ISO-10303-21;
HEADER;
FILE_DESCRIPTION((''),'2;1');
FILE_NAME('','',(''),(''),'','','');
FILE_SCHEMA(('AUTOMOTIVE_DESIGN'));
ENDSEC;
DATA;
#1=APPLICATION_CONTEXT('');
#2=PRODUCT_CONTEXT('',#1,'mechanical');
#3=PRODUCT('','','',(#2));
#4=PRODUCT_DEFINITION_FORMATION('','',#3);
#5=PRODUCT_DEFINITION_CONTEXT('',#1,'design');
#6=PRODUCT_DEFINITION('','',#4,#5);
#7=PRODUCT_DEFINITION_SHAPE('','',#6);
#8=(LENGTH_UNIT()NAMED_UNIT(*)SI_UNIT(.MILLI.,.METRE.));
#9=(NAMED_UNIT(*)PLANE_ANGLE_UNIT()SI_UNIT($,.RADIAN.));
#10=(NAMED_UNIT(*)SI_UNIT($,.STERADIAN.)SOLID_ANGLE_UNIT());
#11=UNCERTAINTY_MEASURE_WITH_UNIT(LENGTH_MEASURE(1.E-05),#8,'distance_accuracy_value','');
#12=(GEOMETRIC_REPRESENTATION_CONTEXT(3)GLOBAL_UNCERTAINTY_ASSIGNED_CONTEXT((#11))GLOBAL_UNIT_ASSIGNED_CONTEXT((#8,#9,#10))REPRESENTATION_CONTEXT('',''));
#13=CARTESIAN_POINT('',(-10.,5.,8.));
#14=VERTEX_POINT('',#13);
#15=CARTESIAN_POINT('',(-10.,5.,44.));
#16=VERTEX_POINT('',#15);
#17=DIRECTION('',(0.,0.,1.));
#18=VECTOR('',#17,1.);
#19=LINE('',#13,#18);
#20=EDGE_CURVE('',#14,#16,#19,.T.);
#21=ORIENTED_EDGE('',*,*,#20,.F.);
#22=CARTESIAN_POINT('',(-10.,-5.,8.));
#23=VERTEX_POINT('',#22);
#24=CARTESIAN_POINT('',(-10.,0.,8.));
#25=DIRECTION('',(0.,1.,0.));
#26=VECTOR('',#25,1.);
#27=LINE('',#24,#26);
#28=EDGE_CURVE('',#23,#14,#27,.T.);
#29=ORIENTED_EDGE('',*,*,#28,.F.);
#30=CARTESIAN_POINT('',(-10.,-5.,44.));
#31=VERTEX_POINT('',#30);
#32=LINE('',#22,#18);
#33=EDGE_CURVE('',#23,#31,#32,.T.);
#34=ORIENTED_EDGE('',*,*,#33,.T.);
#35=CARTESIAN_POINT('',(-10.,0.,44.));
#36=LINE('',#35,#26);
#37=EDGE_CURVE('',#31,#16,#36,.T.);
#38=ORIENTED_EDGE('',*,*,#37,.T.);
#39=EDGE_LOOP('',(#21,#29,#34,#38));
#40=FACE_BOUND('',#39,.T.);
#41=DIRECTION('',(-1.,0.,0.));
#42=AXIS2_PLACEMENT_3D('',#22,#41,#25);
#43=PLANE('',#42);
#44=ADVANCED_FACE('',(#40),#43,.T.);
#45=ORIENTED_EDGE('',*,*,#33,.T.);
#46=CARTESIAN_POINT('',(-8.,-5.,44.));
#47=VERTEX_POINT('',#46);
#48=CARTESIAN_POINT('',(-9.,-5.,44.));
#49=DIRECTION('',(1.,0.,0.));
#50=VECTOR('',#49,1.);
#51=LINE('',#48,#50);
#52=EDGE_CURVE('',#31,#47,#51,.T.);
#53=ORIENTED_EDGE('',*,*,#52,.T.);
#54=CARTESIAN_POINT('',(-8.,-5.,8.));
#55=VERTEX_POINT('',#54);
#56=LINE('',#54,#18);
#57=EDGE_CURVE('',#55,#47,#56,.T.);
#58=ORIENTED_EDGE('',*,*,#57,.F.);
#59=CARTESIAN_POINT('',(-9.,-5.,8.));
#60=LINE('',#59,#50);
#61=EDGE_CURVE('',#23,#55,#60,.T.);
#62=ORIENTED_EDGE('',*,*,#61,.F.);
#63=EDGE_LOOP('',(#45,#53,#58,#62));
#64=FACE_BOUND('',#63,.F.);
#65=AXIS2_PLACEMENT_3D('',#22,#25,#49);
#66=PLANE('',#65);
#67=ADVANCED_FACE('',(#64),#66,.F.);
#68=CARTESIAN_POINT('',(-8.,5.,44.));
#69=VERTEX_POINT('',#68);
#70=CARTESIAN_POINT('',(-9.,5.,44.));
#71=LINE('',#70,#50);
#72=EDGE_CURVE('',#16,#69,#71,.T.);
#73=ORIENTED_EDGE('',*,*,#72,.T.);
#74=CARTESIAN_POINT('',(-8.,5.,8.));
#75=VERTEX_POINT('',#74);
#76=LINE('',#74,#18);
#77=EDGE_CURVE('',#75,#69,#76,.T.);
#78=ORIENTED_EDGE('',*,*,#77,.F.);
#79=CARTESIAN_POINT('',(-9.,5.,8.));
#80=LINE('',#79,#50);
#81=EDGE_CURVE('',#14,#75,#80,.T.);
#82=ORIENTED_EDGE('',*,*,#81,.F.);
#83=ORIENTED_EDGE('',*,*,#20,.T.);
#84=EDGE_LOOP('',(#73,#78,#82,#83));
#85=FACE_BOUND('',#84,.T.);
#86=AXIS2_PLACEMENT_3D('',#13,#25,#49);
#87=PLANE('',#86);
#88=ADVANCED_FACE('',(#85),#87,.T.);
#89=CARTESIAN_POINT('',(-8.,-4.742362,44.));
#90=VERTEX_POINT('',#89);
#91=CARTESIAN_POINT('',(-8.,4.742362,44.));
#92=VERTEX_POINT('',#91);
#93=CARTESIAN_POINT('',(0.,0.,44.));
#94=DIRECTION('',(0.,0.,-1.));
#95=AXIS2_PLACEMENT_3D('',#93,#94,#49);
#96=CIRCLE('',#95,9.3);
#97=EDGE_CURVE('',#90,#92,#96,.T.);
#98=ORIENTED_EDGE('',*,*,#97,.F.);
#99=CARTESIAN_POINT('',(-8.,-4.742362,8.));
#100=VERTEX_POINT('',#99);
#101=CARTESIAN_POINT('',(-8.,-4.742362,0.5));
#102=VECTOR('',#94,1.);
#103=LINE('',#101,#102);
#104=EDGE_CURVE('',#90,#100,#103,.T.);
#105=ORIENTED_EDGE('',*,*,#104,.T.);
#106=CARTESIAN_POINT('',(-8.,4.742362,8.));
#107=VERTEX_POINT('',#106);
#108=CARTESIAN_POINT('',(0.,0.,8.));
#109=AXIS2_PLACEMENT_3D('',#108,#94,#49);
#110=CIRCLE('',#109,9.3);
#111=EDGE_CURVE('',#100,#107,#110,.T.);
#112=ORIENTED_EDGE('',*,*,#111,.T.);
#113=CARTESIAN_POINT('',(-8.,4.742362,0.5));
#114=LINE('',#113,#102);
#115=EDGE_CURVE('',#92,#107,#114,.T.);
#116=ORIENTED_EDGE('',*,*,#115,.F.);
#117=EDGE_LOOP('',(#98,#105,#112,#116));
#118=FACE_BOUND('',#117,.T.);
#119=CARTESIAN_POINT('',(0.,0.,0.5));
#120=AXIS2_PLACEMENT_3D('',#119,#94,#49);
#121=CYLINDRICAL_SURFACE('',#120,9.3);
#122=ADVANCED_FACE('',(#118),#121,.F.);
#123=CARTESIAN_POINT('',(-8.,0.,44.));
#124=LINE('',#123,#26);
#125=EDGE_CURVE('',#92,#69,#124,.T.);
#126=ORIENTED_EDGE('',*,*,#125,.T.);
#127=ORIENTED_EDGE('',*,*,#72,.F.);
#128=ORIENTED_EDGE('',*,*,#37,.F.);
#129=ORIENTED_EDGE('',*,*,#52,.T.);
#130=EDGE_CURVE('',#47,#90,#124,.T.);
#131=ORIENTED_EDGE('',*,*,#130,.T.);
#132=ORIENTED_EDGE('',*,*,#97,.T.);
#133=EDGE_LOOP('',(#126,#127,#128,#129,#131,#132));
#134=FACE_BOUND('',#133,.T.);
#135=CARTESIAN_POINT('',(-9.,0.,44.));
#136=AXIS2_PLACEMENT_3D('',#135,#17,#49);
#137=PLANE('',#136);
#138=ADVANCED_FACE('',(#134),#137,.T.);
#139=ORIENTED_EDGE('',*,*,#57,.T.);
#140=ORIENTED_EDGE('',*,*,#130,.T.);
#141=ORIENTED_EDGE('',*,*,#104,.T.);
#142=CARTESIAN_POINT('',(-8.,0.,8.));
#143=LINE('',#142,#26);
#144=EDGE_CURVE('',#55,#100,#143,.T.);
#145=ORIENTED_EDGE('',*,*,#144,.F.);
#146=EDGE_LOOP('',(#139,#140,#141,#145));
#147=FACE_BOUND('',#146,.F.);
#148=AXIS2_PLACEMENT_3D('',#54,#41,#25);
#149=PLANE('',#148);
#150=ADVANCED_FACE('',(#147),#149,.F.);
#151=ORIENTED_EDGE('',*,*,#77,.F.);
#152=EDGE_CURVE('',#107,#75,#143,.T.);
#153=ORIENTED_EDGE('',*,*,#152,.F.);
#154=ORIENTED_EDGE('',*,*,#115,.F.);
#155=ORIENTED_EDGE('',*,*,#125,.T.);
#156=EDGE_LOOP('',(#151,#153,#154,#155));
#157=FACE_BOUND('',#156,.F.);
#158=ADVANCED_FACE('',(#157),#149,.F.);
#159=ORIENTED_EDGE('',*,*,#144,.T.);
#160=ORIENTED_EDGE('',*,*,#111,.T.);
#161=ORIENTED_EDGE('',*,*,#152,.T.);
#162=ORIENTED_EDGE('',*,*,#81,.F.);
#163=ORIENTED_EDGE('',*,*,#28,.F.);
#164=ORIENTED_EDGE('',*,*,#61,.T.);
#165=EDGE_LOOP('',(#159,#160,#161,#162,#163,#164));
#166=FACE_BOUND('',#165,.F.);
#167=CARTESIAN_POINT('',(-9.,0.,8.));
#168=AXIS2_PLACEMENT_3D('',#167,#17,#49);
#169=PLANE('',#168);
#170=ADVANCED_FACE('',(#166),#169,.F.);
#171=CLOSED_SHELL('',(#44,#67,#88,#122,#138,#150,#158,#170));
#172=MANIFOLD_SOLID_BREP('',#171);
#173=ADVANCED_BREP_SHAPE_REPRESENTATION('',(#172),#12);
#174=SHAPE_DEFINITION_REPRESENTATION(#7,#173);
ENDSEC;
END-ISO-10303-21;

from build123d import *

# Parameters (mm, degrees)
CYLINDER001_R     = 9.3
CYLINDER001_DEPTH = 49.5
BOX_W             = 2
BOX_H             = 10
BOX_DEPTH         = 36


with BuildPart() as cylinder001:
    # Cylinder001 → Cylinder001 (new body)
    with BuildSketch(Plane.XY.offset(0.5)):
        Circle(CYLINDER001_R)
    extrude(amount=CYLINDER001_DEPTH)


with BuildPart() as cut001:
    # Box → Box (new body)
    with BuildSketch(Plane(origin=(-10, -5, 8), x_dir=(1, 0, 0), z_dir=(0, 0, 1))):
        with Locations((1, 5)):
            Rectangle(BOX_W, BOX_H)
    extrude(amount=BOX_DEPTH)

    # Cut001: cut Cylinder001
    add(cylinder001.part, mode=Mode.SUBTRACT)


solid = cut001.part
